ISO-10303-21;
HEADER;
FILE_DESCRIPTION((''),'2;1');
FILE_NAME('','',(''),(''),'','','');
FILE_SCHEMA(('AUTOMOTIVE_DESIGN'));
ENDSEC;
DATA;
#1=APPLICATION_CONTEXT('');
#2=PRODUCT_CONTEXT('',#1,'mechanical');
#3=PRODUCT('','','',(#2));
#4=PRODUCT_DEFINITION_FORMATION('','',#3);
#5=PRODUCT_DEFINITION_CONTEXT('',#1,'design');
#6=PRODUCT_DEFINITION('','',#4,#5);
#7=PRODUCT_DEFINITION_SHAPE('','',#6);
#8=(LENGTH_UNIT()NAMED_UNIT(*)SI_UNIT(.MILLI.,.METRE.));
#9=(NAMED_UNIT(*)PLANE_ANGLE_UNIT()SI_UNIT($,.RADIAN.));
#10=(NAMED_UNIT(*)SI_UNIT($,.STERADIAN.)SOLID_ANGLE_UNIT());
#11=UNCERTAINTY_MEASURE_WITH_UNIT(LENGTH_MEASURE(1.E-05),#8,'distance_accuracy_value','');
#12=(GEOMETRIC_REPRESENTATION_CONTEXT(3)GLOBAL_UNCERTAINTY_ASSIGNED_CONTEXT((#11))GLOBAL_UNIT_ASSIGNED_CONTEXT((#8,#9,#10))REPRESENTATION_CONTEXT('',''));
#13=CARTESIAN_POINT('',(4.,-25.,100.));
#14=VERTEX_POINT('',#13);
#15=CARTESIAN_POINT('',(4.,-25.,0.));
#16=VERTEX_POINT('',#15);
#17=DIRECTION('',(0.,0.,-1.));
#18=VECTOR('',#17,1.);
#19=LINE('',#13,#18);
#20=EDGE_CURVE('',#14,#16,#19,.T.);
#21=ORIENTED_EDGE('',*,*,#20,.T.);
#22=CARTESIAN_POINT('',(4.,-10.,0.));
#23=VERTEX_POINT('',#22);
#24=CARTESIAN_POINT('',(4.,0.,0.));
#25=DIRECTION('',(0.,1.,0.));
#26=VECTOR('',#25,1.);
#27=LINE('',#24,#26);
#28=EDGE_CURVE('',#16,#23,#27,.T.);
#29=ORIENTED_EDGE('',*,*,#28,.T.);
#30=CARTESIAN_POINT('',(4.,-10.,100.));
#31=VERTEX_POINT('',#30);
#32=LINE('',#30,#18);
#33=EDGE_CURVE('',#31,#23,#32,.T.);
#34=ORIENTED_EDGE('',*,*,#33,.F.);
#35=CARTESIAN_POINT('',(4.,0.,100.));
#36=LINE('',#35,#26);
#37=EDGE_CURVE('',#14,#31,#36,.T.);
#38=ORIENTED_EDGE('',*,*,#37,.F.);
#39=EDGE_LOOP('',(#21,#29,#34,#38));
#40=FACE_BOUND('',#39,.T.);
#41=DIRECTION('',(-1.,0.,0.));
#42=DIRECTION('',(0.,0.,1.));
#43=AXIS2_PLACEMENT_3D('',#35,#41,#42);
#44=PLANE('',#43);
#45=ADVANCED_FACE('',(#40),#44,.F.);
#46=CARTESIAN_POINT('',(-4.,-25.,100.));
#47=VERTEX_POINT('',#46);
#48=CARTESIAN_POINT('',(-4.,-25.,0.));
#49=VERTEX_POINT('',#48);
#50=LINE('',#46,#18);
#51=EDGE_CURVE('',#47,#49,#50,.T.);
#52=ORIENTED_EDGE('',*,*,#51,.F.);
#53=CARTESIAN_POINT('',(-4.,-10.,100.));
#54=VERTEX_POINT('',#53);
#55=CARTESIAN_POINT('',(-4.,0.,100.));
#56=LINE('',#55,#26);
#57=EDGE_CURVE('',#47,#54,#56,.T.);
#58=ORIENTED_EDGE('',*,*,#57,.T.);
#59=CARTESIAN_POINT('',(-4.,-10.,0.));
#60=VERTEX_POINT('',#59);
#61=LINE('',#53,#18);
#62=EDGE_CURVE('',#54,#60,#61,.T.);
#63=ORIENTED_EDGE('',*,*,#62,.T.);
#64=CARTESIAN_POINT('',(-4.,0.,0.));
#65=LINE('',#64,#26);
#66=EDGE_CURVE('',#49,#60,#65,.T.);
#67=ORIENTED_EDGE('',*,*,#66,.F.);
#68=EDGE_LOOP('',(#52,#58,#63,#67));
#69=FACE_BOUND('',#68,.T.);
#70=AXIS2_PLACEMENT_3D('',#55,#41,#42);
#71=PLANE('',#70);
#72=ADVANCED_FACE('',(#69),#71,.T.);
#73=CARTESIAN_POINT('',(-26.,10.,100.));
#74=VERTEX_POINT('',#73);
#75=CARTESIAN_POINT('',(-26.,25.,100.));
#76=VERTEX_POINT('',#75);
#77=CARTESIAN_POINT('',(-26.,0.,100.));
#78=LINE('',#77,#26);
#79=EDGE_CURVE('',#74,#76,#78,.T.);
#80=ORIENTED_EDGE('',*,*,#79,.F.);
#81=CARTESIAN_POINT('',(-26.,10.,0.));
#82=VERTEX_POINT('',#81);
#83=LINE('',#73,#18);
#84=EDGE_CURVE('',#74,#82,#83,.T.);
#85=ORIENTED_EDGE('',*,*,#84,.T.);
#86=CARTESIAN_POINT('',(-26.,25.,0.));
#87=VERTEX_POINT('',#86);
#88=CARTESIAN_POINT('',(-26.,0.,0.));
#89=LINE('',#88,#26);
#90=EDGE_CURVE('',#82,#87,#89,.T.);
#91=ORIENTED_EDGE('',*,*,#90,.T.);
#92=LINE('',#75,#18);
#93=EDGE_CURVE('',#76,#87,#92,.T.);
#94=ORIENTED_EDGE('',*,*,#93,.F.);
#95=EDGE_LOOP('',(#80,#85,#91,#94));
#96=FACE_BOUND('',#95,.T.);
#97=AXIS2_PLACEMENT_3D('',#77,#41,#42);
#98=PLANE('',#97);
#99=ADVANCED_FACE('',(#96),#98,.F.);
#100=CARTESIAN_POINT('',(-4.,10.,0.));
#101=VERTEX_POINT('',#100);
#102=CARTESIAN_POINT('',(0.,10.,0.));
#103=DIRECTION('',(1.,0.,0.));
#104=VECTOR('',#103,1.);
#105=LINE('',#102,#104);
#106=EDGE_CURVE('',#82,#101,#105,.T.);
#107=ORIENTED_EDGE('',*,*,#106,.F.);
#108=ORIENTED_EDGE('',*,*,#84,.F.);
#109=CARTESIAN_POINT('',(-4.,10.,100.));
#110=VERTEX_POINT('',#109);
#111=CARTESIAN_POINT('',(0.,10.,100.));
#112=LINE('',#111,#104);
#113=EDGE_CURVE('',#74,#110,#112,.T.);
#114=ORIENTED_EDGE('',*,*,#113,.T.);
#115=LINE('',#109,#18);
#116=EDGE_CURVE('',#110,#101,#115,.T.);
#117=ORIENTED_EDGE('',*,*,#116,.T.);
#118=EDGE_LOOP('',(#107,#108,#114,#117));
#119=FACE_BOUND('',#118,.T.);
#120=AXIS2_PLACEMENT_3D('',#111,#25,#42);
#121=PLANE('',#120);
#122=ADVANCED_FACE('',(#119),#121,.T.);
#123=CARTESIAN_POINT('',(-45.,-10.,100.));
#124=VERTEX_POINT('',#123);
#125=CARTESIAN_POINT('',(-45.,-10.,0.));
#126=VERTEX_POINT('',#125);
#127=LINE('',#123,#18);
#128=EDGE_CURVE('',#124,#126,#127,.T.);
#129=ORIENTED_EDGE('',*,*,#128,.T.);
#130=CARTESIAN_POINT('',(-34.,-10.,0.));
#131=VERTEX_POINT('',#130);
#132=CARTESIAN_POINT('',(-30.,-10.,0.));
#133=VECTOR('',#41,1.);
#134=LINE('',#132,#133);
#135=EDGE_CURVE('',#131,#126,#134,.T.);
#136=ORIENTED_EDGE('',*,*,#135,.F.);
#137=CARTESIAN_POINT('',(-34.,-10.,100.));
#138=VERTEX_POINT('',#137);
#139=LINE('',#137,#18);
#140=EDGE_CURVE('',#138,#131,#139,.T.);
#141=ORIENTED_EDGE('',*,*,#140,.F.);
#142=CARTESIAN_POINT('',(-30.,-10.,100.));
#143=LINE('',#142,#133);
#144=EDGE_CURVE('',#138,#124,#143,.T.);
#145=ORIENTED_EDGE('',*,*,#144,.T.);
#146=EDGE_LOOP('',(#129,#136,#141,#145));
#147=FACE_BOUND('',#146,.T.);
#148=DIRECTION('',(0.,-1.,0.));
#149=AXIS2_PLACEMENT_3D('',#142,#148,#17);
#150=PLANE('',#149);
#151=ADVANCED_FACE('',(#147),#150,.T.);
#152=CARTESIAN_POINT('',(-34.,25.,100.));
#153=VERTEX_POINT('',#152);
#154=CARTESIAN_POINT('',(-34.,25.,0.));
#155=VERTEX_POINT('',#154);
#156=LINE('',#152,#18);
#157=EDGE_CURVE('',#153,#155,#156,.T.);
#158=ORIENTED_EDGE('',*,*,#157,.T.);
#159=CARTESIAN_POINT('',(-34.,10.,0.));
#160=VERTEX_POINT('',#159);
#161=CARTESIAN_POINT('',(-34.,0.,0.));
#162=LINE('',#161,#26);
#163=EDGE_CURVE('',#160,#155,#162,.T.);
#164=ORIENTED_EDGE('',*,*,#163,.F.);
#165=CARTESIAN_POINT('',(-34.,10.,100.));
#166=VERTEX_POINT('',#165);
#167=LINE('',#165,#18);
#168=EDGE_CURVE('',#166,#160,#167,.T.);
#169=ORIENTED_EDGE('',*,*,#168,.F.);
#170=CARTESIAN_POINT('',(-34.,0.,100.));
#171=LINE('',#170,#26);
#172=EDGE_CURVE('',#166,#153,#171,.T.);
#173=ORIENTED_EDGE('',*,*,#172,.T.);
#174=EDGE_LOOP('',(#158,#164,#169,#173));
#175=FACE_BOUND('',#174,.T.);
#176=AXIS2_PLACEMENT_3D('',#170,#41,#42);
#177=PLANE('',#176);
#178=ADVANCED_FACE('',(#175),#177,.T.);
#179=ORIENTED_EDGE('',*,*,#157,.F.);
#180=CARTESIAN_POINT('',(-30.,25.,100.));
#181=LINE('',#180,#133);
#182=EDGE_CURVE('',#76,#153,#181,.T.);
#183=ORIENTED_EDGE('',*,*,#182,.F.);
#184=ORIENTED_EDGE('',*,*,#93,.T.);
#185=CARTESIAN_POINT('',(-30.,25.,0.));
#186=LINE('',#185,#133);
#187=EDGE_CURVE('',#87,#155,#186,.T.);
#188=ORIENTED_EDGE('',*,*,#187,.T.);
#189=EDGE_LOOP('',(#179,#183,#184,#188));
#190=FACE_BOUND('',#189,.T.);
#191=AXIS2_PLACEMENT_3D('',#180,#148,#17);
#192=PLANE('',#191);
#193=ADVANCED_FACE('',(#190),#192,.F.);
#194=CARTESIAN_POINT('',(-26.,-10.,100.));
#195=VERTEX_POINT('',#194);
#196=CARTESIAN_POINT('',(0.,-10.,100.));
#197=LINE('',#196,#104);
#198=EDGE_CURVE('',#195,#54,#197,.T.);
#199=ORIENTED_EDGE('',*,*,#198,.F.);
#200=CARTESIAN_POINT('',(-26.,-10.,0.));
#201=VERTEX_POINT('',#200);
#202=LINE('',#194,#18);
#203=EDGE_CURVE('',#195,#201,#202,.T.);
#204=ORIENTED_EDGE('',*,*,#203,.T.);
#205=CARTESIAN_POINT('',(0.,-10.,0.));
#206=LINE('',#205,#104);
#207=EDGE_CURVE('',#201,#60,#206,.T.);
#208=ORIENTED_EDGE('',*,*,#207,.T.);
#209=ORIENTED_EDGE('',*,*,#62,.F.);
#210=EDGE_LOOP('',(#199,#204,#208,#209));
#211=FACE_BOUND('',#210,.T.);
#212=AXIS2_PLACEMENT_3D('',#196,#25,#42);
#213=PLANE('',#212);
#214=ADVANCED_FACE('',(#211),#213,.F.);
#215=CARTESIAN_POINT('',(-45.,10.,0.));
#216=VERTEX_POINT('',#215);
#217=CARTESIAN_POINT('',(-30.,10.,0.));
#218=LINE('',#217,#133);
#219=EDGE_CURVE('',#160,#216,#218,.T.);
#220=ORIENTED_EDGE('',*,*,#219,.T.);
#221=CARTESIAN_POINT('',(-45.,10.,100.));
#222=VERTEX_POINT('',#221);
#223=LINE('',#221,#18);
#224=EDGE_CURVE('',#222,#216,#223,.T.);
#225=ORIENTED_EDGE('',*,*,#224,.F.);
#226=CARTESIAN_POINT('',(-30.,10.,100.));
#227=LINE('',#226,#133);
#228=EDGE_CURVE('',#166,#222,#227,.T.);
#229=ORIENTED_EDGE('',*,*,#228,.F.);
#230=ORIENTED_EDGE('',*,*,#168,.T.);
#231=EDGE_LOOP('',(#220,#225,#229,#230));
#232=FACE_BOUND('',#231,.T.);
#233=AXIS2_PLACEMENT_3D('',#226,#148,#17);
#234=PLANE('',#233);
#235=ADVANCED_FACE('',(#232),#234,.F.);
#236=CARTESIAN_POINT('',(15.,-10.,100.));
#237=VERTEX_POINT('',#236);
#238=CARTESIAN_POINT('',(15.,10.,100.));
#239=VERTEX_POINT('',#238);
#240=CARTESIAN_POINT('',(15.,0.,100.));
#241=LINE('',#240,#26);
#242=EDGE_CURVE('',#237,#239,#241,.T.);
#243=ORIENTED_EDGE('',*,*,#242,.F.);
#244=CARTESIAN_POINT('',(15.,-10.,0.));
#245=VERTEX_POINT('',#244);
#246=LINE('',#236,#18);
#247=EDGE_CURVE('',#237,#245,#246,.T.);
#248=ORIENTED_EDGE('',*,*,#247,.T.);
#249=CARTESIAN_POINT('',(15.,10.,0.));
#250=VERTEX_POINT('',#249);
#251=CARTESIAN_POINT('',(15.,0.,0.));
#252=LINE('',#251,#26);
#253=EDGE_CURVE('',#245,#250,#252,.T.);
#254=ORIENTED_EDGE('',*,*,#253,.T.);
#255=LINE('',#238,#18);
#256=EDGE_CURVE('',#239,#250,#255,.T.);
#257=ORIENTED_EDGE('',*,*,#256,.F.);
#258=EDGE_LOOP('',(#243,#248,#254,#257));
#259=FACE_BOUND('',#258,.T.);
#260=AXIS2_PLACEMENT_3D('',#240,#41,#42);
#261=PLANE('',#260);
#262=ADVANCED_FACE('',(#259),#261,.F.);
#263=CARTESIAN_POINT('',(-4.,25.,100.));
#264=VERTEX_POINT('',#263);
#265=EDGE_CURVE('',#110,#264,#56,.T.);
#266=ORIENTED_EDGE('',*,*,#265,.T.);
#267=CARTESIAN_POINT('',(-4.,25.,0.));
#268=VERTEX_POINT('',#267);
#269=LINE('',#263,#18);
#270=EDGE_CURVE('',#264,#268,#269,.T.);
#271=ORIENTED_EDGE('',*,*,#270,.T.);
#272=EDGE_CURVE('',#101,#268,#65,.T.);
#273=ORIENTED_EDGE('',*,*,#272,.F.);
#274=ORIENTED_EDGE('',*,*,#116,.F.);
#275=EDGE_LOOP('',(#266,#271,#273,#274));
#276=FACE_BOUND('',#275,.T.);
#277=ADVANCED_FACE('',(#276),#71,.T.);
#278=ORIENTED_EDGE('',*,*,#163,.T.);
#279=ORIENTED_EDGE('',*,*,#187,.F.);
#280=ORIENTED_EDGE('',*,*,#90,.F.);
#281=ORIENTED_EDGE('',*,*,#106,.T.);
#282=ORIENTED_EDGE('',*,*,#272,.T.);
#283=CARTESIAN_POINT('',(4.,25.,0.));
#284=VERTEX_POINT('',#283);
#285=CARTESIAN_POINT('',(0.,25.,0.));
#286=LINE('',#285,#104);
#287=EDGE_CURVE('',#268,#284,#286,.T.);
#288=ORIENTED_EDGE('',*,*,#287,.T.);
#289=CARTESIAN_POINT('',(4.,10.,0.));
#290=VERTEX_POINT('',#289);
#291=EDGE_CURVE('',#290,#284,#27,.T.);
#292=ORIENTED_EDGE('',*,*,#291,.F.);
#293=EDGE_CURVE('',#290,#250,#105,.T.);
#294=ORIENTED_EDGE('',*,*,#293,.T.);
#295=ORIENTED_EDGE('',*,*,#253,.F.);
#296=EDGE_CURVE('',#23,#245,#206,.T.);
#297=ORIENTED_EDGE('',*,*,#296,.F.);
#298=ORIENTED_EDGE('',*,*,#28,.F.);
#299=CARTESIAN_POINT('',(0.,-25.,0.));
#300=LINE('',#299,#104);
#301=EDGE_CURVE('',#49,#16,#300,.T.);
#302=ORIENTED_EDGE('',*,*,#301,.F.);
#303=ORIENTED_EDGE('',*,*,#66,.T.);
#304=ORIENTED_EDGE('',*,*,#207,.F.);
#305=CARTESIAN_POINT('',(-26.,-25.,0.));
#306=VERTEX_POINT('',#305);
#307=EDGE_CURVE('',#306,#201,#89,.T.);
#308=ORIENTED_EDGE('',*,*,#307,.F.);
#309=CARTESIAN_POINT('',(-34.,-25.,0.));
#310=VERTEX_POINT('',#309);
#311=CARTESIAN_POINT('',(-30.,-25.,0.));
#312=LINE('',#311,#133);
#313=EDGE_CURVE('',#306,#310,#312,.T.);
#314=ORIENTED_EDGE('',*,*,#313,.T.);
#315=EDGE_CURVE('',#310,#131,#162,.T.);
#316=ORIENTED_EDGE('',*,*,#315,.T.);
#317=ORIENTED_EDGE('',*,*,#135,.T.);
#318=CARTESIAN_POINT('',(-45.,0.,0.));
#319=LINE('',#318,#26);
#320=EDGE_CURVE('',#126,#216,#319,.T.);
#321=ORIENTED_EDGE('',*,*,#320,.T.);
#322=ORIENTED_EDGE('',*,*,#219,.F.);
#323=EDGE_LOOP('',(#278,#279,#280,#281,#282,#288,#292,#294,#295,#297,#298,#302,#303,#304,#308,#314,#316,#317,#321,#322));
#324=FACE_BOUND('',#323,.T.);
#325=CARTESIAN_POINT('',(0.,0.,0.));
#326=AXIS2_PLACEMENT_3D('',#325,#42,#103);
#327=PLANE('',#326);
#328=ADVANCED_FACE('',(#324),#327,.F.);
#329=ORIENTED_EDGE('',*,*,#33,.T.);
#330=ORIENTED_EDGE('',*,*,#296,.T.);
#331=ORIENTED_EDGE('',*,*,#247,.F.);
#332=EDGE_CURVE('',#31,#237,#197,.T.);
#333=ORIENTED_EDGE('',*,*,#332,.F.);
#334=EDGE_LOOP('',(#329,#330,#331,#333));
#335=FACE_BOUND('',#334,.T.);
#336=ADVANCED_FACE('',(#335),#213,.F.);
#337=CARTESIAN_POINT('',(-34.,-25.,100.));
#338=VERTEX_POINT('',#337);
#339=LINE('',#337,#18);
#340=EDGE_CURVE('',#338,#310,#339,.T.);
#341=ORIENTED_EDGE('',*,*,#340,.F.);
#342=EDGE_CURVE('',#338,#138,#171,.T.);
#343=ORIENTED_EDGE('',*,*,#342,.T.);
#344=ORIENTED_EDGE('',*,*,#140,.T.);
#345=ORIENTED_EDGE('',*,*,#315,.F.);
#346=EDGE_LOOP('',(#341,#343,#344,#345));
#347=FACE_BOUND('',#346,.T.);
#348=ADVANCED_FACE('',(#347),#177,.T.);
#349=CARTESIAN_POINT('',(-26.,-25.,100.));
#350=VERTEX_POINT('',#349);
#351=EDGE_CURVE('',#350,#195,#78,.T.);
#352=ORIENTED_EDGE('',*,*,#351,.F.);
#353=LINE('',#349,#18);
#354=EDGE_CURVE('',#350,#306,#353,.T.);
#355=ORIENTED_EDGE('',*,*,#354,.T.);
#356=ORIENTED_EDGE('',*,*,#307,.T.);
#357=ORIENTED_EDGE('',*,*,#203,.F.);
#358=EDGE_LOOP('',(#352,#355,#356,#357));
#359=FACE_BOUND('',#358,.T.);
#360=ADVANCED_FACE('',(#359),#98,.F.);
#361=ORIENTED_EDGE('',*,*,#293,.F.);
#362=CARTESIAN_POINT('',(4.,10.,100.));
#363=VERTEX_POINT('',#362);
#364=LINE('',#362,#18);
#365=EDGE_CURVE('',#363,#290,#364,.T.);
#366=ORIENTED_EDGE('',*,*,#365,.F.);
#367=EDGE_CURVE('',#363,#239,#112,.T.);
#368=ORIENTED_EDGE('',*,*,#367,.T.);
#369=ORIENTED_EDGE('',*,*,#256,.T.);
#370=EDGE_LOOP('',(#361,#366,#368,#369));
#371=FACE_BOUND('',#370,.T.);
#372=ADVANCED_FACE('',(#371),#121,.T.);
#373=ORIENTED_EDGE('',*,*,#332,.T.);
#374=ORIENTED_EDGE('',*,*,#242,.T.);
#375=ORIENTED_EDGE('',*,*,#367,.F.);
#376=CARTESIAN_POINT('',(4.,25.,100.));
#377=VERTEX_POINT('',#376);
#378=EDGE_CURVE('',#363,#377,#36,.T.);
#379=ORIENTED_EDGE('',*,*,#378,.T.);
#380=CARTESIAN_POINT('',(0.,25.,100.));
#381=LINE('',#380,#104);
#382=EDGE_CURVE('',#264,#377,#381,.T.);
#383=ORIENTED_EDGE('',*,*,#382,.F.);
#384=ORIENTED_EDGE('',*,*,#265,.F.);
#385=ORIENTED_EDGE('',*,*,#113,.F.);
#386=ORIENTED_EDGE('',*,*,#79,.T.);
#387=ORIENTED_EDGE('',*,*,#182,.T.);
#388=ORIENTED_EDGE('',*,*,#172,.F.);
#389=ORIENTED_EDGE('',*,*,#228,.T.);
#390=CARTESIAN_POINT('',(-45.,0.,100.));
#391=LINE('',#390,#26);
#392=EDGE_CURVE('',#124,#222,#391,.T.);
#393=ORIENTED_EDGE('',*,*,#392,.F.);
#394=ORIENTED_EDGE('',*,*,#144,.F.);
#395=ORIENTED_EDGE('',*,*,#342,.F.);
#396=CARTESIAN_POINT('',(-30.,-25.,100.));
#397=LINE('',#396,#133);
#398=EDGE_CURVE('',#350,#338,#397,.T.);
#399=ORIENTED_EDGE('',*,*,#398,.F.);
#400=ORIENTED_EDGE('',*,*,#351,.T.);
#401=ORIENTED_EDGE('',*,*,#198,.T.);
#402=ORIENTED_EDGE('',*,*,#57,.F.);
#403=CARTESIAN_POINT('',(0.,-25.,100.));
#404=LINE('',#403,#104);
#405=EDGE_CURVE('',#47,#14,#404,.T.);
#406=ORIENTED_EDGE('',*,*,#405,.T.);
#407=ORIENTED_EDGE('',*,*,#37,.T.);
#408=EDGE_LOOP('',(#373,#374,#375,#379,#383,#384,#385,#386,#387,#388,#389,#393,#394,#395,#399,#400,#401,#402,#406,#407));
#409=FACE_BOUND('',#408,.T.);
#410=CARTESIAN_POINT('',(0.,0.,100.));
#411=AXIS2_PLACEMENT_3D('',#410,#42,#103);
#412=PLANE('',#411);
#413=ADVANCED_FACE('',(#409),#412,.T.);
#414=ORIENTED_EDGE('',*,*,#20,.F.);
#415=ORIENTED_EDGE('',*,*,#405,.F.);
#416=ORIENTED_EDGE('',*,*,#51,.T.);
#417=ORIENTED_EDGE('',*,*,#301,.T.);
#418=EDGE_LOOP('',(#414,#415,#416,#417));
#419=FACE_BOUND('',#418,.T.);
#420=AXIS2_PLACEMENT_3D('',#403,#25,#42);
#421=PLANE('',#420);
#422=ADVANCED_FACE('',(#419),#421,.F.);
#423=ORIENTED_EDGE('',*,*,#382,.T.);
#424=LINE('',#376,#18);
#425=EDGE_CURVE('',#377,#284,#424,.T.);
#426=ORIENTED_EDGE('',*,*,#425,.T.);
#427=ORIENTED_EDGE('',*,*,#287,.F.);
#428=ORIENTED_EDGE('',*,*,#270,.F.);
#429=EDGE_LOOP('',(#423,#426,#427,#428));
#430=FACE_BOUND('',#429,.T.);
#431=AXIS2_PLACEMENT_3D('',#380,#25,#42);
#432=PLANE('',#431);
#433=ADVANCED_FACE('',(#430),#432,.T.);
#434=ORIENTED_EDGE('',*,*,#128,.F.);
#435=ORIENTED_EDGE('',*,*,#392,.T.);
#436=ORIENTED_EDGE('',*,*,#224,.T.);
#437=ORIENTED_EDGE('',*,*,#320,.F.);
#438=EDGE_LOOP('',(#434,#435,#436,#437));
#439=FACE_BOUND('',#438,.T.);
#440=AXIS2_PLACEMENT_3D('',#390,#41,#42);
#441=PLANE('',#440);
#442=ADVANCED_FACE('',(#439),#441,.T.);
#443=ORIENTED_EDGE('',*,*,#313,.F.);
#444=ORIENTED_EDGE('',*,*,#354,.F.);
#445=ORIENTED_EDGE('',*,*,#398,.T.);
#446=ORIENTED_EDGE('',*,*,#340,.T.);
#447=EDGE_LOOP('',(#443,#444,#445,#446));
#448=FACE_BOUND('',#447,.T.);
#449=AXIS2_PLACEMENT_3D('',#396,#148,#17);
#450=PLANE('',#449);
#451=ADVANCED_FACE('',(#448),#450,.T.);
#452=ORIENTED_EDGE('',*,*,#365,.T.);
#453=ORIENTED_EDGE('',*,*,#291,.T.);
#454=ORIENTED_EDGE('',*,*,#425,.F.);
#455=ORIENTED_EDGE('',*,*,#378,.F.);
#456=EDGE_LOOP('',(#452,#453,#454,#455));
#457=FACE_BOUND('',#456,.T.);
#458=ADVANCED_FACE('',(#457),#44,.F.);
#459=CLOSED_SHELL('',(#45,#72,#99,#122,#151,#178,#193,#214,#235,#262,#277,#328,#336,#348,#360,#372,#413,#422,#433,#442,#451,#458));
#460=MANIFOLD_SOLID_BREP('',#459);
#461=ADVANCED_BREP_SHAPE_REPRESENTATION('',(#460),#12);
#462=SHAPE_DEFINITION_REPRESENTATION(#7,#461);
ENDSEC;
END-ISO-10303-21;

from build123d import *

# Parameters (mm, degrees)
SKETCH_1_W      = 11
SKETCH_1_H      = 20
SKETCH_1_W_2    = 8
SKETCH_1_H_2    = 15
EXTRUDE_1_DEPTH = 100


with BuildPart() as part:
    # Эскиз1 → Бобышка-Вытянуть1 (new body)
    with BuildSketch(Plane.XY):
        with Locations((9.5, 0)):
            Rectangle(SKETCH_1_W, SKETCH_1_H)
        Rectangle(SKETCH_1_W_2, SKETCH_1_H)
        with Locations((-9.5, 0)):
            Rectangle(SKETCH_1_W, SKETCH_1_H)
        with Locations((0, 17.5)):
            Rectangle(SKETCH_1_W_2, SKETCH_1_H_2)
        with Locations((0, -17.5)):
            Rectangle(SKETCH_1_W_2, SKETCH_1_H_2)
    extrude_1 = extrude(amount=EXTRUDE_1_DEPTH)

    # Зеркальное отражение1: Бобышка-Вытянуть1 across plane
    add(extrude_1.mirror(Plane(origin=(-15, 0, 100), x_dir=(0, 0, 1), z_dir=(-1, 0, 0))))


solid = part.part
